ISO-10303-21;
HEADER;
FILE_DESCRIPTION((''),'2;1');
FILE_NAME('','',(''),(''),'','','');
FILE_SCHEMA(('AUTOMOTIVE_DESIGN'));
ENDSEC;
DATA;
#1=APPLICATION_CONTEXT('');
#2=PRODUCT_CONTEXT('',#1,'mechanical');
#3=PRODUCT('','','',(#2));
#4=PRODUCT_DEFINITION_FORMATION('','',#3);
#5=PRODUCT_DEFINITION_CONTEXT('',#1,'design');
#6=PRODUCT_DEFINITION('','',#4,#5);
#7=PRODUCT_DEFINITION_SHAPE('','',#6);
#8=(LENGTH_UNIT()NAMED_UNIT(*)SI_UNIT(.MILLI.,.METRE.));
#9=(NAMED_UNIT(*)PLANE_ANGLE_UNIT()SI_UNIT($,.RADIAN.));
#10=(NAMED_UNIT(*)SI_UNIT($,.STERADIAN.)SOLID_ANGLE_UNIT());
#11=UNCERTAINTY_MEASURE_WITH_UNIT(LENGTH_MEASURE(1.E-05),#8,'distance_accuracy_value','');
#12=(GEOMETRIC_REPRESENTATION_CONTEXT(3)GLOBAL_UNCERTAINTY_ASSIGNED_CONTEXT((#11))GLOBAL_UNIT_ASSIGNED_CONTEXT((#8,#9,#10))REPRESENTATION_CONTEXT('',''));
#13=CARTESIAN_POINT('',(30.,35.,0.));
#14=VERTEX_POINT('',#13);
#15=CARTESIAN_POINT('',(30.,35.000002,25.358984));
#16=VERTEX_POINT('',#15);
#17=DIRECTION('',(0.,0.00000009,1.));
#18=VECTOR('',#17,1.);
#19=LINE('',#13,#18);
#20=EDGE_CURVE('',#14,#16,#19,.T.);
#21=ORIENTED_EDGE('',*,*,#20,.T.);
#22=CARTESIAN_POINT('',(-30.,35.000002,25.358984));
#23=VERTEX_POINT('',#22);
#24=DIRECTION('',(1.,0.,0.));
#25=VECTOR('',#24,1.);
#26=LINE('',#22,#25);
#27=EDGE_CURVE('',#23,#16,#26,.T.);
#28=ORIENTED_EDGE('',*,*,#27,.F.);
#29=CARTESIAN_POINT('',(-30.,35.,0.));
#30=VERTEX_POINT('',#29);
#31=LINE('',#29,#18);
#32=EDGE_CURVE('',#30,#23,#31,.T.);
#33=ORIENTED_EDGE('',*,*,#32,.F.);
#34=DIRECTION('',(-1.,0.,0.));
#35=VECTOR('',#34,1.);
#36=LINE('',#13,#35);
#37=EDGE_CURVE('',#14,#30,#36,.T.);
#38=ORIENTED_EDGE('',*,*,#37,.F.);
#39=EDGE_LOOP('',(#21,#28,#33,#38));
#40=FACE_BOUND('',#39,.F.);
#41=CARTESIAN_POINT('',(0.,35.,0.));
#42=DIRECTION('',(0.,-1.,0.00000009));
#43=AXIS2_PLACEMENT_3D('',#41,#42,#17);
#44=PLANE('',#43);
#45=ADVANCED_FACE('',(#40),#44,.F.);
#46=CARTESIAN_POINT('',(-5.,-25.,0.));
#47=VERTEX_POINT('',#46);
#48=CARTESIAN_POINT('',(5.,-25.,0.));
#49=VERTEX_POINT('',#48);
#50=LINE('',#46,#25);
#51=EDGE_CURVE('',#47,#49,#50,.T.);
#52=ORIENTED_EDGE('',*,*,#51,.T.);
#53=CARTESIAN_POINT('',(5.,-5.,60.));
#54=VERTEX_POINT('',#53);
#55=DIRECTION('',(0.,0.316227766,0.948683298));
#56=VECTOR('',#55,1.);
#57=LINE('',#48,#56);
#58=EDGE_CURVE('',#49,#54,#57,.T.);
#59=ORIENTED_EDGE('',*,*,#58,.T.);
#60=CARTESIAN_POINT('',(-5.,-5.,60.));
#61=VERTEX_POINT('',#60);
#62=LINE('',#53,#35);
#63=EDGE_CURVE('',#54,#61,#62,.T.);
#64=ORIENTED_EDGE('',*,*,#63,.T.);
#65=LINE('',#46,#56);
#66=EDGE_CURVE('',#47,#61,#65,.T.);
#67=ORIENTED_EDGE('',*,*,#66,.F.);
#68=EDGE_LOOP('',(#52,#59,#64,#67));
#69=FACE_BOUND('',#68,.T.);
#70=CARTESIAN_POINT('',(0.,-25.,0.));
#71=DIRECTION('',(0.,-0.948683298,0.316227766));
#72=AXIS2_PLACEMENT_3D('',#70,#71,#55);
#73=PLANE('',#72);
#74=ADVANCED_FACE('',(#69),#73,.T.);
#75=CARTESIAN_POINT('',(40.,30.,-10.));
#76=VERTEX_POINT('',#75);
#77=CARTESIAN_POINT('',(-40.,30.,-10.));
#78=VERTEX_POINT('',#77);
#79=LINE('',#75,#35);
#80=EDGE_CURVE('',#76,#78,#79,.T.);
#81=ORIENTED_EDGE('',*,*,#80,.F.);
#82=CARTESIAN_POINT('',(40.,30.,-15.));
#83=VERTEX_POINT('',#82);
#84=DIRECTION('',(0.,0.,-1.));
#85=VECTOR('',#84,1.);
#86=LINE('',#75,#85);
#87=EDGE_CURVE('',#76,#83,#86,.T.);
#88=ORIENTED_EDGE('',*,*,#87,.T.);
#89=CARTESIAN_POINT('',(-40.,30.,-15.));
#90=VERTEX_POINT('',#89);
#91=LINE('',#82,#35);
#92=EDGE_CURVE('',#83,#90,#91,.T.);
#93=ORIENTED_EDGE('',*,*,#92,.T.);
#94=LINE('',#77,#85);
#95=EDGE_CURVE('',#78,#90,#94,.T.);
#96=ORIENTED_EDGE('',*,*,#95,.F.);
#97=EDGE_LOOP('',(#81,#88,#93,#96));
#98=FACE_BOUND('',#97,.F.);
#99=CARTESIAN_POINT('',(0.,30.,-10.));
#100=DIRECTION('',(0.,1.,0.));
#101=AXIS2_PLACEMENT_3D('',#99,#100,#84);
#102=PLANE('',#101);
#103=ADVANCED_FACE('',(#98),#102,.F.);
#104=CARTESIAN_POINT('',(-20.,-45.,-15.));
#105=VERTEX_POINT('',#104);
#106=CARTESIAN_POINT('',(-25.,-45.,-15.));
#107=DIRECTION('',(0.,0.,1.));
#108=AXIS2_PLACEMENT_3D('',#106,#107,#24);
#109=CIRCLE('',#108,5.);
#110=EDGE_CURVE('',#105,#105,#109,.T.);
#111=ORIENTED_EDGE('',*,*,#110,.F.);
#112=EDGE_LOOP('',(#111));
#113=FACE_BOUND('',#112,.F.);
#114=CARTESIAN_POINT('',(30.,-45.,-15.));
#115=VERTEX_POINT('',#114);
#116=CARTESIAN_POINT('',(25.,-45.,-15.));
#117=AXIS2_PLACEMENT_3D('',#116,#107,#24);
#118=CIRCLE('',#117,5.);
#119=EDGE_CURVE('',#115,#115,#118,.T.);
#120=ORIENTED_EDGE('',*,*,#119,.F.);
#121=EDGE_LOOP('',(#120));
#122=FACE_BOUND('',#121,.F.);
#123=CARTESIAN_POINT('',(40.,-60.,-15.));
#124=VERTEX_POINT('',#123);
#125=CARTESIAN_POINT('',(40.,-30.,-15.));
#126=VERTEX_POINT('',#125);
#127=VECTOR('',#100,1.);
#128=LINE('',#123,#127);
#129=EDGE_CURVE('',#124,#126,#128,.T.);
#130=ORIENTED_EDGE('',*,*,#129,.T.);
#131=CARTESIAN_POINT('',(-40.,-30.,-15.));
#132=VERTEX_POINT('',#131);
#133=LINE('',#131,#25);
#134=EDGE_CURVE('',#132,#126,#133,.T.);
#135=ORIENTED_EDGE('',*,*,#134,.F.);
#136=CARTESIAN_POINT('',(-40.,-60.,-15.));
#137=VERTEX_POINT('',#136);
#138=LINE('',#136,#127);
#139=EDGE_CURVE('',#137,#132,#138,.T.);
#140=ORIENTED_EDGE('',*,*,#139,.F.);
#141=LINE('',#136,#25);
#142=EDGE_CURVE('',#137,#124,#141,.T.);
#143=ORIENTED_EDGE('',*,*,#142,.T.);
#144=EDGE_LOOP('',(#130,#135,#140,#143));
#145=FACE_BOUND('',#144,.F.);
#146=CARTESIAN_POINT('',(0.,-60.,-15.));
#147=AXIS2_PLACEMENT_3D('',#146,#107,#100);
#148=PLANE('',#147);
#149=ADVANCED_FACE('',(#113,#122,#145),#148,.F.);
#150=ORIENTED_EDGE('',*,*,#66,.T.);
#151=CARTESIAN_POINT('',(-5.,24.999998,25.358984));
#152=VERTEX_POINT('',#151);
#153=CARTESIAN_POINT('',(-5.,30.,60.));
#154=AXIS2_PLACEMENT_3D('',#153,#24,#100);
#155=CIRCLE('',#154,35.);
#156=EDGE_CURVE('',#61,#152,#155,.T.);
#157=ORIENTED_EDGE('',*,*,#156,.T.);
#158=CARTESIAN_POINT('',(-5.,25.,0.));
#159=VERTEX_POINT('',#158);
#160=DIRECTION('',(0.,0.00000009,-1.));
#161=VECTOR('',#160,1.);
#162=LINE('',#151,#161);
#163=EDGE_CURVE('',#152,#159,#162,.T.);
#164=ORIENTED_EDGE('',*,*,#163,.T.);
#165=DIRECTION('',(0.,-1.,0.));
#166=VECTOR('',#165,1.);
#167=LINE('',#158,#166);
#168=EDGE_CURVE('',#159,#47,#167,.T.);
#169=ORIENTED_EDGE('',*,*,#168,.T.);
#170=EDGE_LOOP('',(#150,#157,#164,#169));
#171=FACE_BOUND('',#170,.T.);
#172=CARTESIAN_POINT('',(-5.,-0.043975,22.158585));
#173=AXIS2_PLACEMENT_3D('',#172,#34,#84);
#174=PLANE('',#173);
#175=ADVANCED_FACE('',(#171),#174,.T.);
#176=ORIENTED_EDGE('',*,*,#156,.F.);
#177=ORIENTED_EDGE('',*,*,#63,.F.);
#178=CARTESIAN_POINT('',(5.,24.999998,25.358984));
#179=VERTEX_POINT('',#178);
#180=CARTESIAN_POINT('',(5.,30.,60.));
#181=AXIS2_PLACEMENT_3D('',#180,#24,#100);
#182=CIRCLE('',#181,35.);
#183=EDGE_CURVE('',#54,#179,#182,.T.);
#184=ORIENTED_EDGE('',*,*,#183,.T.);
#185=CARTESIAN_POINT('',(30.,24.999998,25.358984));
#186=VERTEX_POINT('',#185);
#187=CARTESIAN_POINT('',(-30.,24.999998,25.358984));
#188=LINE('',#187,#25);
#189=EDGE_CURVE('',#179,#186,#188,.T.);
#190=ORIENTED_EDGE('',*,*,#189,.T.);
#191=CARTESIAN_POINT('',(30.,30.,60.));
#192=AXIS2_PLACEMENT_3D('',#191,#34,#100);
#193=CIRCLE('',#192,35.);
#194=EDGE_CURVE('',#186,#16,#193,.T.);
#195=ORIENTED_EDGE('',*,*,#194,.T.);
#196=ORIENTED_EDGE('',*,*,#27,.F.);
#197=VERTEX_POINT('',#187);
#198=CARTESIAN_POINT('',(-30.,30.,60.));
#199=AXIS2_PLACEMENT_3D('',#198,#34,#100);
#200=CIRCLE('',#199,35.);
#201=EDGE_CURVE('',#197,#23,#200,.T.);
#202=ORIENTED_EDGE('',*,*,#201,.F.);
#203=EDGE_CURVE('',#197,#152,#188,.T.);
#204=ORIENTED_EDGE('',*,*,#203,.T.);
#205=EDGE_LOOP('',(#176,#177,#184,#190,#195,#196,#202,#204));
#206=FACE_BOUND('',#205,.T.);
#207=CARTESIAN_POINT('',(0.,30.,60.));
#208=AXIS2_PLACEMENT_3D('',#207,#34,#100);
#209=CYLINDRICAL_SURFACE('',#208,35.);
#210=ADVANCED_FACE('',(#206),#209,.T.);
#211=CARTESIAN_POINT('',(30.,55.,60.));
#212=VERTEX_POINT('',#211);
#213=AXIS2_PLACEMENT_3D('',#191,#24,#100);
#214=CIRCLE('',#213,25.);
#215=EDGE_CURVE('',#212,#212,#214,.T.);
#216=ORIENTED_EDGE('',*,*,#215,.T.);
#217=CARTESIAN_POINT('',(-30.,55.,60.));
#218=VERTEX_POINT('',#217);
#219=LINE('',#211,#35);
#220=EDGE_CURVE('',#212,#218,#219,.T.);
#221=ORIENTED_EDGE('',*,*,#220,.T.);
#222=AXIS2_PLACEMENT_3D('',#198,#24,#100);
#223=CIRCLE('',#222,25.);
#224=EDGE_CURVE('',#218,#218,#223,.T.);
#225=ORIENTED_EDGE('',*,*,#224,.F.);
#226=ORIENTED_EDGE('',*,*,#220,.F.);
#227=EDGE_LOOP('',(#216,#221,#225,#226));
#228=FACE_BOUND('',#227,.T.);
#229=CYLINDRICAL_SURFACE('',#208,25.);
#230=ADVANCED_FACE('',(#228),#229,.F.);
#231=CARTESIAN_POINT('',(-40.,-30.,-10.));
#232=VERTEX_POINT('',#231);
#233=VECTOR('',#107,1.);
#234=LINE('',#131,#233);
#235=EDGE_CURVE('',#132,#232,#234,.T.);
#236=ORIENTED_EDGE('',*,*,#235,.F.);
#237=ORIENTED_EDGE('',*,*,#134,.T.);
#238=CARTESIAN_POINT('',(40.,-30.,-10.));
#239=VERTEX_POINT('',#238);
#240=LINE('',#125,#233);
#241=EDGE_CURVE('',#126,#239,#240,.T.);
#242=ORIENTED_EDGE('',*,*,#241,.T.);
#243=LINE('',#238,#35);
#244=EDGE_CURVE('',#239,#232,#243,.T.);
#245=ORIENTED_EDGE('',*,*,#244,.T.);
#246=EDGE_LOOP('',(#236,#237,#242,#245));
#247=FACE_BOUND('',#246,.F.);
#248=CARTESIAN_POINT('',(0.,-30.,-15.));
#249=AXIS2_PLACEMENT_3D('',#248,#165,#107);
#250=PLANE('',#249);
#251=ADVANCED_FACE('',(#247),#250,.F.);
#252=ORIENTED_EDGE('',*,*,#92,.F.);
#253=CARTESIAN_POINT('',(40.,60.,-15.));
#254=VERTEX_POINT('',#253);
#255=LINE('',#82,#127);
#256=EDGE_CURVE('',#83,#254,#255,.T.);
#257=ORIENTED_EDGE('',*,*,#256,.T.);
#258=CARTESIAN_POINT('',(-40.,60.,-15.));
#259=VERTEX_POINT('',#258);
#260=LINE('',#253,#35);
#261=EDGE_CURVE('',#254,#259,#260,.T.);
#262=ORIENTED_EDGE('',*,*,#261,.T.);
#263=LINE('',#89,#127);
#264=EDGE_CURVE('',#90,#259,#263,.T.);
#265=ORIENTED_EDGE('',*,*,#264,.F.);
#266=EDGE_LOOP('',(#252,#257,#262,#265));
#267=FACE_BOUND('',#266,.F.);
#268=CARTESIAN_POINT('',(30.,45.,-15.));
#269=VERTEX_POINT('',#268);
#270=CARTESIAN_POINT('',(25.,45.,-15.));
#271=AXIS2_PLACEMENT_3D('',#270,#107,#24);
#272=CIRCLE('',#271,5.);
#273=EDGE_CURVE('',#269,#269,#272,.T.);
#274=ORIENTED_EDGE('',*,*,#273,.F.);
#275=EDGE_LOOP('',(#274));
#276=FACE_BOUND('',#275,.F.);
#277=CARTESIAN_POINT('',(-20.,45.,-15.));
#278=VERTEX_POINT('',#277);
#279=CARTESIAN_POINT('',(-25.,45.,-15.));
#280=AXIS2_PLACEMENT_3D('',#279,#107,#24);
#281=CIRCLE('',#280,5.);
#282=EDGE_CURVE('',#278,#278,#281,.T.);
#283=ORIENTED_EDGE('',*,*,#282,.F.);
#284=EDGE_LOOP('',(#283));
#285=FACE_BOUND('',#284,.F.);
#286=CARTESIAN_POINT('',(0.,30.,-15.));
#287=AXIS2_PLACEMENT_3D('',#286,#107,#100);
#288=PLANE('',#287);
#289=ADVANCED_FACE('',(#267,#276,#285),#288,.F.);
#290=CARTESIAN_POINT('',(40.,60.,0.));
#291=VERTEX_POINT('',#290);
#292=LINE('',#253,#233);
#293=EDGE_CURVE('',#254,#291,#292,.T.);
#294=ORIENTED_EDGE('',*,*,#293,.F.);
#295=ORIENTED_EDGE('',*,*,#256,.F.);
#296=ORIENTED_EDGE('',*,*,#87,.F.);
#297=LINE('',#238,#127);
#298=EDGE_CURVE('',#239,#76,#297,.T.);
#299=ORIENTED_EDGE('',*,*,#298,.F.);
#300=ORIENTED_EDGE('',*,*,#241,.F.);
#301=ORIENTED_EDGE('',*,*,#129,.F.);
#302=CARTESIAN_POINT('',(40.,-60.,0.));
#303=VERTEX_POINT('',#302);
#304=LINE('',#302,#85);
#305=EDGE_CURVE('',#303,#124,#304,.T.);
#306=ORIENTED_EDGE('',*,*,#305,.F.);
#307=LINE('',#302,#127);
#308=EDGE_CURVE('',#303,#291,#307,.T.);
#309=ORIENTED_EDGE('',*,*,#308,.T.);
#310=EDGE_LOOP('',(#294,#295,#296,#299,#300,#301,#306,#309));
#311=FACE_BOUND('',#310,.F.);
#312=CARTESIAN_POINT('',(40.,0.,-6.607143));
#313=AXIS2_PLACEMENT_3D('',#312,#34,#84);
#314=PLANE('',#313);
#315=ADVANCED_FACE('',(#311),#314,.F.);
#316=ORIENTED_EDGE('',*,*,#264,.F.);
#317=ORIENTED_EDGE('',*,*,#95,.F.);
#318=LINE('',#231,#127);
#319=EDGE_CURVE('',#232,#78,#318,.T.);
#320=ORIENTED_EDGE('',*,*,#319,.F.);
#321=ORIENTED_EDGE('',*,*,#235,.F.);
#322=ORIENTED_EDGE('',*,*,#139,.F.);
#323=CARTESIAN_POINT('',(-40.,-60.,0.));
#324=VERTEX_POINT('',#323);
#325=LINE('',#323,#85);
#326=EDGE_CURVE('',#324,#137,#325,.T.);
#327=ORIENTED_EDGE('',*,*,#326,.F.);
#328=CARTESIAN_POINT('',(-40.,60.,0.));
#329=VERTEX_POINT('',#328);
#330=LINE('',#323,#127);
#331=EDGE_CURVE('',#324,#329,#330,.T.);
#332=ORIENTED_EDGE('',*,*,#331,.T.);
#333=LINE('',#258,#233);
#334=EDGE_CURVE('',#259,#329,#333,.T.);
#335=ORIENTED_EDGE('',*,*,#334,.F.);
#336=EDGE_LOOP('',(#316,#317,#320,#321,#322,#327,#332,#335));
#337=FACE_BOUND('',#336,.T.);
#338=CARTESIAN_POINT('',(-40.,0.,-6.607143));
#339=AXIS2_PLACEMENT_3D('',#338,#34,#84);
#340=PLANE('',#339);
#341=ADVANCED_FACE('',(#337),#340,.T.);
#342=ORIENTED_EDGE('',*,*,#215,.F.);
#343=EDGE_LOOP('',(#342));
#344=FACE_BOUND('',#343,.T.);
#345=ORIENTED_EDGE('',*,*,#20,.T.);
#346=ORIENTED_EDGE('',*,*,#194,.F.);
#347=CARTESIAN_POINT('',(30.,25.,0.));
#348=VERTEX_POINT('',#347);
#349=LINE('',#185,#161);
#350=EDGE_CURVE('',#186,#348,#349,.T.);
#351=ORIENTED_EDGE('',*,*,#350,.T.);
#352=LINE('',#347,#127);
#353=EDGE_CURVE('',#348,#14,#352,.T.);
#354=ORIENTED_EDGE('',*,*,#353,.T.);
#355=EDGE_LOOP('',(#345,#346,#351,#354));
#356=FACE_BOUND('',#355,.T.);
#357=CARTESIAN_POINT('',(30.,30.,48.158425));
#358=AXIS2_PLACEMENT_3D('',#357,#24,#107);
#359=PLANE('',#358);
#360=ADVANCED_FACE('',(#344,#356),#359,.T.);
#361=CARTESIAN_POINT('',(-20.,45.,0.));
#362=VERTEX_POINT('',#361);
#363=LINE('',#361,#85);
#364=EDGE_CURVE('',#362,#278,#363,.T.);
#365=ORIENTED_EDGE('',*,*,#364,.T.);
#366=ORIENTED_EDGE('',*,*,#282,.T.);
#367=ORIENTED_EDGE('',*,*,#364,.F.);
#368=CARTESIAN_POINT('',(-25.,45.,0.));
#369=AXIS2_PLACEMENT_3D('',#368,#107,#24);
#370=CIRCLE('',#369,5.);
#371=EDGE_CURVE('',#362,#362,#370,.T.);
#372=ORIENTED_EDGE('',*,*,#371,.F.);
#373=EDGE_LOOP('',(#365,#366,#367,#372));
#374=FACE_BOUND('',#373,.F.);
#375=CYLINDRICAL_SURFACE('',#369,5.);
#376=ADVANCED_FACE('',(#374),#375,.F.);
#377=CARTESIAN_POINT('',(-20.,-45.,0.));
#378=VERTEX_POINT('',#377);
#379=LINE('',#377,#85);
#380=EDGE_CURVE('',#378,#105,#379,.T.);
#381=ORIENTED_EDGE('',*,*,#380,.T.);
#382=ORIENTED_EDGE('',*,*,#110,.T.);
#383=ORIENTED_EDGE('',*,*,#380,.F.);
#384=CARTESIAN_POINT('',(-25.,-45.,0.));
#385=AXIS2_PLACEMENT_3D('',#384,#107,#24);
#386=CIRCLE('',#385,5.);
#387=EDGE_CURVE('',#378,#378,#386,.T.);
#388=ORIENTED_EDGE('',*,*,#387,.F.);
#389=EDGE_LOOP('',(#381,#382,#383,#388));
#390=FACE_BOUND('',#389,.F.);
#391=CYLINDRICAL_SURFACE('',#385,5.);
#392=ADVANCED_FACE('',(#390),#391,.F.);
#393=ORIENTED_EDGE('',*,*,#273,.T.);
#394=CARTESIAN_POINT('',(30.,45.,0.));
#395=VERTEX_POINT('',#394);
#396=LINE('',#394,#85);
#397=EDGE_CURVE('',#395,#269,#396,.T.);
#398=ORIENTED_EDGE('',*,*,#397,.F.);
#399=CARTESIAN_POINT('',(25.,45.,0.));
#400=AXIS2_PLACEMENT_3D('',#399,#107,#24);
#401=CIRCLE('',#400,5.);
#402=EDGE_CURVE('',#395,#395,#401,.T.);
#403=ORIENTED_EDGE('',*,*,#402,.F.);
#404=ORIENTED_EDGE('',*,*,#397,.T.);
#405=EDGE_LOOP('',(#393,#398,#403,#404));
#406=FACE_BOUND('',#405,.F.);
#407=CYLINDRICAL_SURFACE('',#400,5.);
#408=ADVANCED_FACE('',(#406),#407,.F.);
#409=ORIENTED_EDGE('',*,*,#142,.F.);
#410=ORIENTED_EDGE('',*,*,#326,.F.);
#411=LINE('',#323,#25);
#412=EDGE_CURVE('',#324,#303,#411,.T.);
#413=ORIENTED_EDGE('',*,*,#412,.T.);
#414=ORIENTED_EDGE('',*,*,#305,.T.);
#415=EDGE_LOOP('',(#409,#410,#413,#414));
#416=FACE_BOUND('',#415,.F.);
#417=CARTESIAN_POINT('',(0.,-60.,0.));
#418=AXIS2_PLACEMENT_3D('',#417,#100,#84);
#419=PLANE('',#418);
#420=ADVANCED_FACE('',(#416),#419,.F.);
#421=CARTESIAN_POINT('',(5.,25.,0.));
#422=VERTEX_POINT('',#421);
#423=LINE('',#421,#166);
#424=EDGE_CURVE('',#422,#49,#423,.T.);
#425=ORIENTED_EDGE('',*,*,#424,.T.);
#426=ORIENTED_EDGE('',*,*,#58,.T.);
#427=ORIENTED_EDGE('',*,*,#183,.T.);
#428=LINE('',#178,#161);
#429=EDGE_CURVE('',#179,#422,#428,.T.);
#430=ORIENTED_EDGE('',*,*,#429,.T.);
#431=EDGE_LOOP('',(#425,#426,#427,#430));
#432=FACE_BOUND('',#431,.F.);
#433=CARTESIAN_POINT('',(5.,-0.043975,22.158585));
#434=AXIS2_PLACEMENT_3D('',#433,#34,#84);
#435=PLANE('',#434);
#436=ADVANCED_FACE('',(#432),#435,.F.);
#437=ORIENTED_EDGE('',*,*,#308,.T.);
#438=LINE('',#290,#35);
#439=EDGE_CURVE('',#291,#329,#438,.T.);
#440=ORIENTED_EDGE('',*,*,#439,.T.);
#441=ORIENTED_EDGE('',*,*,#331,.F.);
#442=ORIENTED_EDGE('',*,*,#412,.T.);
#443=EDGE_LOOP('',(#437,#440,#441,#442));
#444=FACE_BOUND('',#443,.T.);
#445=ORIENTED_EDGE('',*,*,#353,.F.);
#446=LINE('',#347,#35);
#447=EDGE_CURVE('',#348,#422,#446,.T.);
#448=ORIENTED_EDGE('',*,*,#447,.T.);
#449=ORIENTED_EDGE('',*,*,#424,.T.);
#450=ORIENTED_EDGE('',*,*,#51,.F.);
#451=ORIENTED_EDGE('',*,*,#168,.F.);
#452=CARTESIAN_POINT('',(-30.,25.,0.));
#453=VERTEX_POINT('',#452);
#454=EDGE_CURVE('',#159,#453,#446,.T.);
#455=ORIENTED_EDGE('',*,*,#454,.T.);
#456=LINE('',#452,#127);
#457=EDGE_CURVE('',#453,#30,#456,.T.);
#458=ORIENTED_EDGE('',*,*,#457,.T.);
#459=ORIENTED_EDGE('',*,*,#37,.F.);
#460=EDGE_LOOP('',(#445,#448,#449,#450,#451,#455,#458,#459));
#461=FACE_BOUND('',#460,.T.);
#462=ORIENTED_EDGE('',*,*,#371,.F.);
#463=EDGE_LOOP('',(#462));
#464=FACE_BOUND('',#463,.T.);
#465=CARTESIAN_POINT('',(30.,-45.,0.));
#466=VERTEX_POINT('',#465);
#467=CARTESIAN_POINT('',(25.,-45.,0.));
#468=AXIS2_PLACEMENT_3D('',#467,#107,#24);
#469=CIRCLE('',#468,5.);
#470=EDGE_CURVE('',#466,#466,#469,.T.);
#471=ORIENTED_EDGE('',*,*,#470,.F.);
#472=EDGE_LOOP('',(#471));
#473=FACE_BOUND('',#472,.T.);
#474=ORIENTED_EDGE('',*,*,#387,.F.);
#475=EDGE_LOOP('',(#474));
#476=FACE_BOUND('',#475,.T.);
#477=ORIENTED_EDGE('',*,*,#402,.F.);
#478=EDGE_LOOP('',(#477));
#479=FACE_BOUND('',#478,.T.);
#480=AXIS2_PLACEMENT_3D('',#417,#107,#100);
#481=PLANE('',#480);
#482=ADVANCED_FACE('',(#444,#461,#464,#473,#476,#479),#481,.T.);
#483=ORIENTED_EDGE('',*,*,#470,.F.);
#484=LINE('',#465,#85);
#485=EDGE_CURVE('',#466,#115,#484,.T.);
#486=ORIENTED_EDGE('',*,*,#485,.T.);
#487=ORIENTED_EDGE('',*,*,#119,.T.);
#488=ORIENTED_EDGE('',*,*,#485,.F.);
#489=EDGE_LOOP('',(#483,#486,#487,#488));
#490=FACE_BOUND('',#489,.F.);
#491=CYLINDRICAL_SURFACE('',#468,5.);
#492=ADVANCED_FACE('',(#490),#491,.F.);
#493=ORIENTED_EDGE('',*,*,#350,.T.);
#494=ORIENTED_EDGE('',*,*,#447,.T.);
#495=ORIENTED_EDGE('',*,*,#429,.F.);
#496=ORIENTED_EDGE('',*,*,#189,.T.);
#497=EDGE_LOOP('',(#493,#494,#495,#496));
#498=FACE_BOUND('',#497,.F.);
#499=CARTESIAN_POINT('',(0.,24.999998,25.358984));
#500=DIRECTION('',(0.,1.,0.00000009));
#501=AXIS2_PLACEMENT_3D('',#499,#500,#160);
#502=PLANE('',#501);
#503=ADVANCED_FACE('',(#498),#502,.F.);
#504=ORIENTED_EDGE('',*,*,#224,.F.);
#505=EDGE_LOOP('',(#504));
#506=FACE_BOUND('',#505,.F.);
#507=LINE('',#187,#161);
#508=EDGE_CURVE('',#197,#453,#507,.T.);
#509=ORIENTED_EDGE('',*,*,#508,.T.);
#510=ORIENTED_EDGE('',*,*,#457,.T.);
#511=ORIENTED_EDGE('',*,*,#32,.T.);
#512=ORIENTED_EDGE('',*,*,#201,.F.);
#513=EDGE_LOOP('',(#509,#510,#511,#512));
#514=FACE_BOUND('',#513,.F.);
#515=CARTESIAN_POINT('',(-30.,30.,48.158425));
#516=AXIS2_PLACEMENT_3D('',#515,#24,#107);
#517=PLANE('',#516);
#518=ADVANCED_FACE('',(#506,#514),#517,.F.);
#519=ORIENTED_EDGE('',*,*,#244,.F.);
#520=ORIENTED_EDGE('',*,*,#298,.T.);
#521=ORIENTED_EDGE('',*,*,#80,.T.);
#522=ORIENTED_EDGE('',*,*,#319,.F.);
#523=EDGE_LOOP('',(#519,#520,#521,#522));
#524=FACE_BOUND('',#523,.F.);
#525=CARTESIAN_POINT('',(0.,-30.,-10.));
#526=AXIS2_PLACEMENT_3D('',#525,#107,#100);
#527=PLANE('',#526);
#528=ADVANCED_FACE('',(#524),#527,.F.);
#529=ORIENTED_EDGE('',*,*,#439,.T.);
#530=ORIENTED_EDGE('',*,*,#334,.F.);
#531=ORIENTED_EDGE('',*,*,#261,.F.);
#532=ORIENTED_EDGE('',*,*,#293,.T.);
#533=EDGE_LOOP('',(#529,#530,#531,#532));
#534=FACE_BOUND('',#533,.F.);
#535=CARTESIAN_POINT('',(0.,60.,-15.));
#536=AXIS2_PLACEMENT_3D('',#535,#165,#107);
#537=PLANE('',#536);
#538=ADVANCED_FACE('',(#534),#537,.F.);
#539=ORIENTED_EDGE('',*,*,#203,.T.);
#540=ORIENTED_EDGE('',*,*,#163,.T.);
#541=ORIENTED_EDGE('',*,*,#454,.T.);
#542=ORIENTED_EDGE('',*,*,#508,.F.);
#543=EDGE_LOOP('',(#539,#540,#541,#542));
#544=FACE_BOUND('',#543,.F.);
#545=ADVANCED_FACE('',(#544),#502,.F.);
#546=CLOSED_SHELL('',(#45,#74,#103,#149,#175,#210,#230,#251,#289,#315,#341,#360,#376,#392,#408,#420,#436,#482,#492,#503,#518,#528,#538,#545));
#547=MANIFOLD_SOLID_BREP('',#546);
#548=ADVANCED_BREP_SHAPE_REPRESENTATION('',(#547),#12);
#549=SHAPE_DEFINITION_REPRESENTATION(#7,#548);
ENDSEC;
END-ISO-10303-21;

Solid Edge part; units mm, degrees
sketch "Sketch1" plane through (0, 0, 0) normal (1, 0, 0) x (0, 1, 0)
  line L0 (-60, 0) -> (60, 0)
  line L1 (60, -15) -> (60, 0)
  line L2 (30, -15) -> (60, -15)
  line L3 (30, -10) -> (30, -15)
  line L4 (-30, -10) -> (30, -10)
  line L5 (-30, -15) -> (-30, -10)
  line L6 (-60, -15) -> (-30, -15)
  line L7 (-60, 0) -> (-60, -15)
extrude "Protrusion1" add sketch "Sketch1" along normal mid plane 80
sketch "Sketch2" plane through (0, 0, 0) normal (1, 0, 0) x (0, 1, 0)
  line L0 (35, 0) -> (35, 25.359)
  line L1 (25, 25.359) -> (25, 0)
  line L2 (25, 0) -> (35, 0)
  arc A0 (25, 25.359) -> (35, 25.359) centre (30, 60) cw
  circle A1 centre (30, 60) radius 25
extrude "ExtrudedProtrusion_2" add sketch "Sketch2" along normal mid plane 60
sketch "Sketch3" plane through (0, 0, 0) normal (1, 0, 0) x (0, 1, 0)
  line L0 (-25, 0) -> (-5, 60)
  line L1 (25, 0) -> (-25, 0)
  line L2 (25, 25.359) -> (25, 0)
  arc A0 (-5, 60) -> (25, 25.359) centre (30, 60) ccw
extrude "ExtrudedProtrusion_3" add sketch "Sketch3" along normal mid plane 10
sketch "Sketch4" plane through (0, 0, 0) normal (0, 0, 1) x (1, 0, 0)
  circle A0 centre (25, -45) radius 5
  circle A1 centre (-25, -45) radius 5
  circle A2 centre (25, 45) radius 5
  circle A3 centre (-25, 45) radius 5
extrude "ExtrudedCutout_1" cut sketch "Sketch4" against normal blind 57.0095
